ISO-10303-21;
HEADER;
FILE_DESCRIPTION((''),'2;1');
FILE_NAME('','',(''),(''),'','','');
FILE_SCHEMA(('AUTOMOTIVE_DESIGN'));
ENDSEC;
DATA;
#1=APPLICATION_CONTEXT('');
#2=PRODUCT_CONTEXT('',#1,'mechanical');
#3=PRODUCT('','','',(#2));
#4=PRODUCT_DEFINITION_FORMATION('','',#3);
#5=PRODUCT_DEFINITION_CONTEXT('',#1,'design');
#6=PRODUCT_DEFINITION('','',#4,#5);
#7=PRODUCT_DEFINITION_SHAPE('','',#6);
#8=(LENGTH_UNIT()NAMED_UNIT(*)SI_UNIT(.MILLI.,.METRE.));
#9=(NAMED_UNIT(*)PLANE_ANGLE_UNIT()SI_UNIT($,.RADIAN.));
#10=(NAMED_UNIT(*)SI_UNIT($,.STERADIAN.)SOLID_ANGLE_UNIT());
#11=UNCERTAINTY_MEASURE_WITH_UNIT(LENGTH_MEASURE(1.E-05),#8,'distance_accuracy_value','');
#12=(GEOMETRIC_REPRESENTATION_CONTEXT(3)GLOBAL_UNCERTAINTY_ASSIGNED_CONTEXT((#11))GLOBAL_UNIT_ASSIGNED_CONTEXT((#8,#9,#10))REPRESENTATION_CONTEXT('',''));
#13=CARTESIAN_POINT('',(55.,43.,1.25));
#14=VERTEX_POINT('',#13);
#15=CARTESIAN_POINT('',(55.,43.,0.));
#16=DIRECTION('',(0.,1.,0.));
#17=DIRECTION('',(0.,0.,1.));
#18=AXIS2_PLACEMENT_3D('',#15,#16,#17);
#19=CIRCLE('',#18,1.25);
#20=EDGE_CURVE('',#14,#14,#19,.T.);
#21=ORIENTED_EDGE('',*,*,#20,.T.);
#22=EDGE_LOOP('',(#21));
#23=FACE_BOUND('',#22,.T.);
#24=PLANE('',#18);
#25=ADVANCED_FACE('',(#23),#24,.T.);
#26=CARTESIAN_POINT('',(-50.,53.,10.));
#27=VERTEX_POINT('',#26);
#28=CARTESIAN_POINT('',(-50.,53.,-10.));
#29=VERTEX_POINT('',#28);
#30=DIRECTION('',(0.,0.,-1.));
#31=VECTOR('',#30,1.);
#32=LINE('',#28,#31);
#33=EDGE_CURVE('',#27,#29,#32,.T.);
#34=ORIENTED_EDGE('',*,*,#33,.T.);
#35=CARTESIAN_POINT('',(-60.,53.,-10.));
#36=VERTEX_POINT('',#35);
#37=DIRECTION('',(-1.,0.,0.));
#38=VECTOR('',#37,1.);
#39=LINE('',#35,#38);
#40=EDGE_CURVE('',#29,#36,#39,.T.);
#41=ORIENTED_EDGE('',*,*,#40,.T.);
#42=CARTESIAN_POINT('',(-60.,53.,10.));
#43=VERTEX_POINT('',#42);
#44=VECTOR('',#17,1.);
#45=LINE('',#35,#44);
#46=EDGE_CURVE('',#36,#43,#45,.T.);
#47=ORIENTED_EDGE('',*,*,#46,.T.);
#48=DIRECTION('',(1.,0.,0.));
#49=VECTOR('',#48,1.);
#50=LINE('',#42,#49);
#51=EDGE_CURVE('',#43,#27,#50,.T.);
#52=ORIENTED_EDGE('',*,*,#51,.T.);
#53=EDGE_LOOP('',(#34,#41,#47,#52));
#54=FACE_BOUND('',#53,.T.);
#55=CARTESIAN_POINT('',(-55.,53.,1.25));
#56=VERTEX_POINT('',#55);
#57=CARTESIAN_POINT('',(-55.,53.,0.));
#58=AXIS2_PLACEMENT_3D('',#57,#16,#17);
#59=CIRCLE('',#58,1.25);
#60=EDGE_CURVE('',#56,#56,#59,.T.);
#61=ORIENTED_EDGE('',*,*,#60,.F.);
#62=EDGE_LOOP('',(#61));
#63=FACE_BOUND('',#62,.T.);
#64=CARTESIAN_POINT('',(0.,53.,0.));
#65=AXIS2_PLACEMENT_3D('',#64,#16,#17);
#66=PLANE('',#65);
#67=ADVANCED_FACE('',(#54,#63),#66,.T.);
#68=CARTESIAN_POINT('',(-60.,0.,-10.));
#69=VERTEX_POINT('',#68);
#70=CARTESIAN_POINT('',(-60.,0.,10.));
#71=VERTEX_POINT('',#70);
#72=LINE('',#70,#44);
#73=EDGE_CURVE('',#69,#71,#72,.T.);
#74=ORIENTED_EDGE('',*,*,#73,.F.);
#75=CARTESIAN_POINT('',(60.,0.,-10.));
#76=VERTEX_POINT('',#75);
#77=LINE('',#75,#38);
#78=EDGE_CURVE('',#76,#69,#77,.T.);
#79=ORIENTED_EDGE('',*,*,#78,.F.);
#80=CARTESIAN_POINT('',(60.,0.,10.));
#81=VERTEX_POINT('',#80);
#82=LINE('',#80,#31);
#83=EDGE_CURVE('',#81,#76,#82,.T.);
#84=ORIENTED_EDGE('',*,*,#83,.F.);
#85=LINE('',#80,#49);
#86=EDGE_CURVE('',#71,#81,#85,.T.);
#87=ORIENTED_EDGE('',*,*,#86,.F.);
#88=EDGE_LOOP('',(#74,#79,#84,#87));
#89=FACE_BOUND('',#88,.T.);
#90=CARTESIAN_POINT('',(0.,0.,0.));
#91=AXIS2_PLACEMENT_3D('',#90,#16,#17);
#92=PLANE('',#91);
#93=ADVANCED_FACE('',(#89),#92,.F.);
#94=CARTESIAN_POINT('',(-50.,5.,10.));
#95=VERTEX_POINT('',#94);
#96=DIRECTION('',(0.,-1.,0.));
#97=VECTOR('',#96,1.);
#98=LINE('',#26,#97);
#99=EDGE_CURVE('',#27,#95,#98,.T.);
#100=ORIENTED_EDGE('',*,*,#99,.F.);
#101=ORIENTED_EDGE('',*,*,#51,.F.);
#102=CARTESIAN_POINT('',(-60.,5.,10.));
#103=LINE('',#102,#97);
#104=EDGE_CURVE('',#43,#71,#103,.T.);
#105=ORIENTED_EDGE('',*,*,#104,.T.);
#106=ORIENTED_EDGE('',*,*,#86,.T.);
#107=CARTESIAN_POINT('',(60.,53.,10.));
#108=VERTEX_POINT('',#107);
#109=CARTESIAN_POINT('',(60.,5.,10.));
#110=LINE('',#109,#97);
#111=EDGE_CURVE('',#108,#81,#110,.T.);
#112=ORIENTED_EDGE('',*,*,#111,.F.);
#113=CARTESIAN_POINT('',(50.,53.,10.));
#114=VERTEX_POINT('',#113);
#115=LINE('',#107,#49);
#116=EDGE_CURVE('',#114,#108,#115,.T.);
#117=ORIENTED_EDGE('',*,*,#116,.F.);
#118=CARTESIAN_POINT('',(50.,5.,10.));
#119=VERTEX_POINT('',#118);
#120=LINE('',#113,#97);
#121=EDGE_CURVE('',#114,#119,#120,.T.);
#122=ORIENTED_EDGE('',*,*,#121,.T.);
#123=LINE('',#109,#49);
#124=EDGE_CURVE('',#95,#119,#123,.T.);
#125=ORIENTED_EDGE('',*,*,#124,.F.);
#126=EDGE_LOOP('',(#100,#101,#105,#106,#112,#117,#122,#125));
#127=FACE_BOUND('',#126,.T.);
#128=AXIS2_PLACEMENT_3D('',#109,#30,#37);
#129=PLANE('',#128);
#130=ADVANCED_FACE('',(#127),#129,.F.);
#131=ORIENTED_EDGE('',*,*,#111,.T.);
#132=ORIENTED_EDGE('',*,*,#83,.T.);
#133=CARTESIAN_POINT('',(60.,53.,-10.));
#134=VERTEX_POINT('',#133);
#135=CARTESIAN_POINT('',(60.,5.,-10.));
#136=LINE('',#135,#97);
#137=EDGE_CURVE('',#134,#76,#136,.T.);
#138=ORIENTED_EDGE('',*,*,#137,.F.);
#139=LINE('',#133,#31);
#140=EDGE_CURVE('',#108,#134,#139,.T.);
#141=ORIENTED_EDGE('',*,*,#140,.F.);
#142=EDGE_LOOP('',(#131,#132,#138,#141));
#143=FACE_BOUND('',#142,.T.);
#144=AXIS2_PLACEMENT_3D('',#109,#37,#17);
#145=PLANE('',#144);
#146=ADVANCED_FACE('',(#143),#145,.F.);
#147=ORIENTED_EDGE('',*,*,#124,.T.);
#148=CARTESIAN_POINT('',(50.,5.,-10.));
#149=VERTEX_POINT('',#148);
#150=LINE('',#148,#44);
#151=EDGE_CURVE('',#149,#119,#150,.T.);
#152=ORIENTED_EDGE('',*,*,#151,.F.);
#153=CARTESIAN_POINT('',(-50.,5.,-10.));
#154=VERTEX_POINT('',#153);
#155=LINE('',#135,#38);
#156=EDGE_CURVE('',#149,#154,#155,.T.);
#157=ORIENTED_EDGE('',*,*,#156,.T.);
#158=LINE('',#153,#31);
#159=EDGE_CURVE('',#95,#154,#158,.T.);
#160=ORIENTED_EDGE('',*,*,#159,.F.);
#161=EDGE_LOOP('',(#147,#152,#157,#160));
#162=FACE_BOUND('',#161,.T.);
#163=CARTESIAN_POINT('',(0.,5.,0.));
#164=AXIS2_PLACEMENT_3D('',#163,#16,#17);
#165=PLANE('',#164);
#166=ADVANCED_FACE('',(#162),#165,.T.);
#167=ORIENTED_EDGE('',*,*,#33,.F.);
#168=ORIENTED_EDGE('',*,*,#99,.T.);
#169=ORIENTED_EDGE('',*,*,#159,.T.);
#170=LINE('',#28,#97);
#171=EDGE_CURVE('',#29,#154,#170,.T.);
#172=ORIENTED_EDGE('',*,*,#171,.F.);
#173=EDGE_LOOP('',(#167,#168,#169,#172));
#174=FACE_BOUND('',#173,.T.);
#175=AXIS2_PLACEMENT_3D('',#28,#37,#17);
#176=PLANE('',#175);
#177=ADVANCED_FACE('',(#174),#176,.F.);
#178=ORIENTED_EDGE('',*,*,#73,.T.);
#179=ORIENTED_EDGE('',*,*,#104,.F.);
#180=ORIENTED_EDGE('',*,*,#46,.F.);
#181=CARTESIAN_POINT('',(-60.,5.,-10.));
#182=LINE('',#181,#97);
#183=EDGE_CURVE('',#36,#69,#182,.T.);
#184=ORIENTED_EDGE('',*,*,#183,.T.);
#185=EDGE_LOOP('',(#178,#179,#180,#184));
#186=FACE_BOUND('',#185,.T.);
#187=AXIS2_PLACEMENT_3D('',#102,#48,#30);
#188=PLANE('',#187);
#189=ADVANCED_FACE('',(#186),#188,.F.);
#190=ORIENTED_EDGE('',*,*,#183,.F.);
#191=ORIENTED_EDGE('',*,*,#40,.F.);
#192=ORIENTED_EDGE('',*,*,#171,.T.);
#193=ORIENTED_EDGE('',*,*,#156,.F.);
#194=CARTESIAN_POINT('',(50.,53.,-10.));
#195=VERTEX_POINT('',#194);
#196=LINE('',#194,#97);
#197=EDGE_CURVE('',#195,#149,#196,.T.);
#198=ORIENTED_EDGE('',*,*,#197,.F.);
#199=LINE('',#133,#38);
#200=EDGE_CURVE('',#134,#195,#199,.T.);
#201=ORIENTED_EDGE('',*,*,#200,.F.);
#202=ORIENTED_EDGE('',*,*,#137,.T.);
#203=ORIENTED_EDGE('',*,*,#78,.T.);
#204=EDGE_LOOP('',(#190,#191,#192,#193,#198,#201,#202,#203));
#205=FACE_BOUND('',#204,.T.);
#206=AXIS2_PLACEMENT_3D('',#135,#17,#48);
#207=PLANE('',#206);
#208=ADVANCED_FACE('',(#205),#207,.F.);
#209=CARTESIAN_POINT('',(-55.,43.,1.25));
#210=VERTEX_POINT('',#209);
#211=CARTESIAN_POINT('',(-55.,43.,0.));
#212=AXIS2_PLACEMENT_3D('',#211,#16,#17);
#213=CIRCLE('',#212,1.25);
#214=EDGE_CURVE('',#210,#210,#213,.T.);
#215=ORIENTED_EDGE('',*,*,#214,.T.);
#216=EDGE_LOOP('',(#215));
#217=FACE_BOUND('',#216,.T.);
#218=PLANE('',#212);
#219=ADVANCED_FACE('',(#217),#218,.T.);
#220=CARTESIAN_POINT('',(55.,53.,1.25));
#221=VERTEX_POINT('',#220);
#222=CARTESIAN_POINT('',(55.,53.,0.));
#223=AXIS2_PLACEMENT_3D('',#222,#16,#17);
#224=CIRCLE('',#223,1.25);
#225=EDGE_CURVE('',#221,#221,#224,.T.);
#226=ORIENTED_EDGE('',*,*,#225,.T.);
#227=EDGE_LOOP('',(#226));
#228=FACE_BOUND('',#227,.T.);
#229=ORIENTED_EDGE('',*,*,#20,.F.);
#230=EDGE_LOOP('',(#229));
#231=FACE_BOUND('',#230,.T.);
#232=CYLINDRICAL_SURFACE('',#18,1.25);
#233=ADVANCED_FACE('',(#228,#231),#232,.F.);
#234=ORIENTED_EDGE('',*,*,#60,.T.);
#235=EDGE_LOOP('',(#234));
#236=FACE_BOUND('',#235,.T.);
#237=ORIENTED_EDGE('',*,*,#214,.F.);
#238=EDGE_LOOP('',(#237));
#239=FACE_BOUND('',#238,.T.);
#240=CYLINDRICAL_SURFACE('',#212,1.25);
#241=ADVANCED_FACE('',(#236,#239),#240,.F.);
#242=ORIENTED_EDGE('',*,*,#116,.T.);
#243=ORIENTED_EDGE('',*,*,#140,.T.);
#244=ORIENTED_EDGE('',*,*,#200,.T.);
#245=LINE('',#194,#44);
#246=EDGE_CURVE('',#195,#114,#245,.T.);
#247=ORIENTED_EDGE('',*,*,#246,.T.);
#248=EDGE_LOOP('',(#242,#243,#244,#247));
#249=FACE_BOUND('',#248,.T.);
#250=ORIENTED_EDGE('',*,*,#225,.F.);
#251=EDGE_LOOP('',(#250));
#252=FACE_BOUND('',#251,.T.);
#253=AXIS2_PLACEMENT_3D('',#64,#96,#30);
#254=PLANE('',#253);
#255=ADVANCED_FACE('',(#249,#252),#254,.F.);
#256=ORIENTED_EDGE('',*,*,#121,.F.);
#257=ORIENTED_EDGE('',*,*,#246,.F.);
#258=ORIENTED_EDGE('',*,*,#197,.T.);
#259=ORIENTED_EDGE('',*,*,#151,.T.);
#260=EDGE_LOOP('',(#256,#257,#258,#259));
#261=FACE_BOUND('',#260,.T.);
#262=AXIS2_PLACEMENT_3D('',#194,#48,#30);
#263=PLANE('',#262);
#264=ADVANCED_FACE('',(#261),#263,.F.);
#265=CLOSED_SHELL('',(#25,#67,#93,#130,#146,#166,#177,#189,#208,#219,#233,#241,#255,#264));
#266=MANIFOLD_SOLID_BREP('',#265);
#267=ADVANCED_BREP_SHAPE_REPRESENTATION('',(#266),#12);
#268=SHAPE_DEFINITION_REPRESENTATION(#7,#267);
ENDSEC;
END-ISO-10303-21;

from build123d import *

# Parameters (mm, degrees)
CROQUIS1_W              = 120
CROQUIS1_H              = 20
SALIENTE_EXTRUIR1_DEPTH = 5
CROQUIS2_W              = 10
CROQUIS2_H              = 20
SALIENTE_EXTRUIR2_DEPTH = 48
CROQUIS3_R              = 1.25
CORTAR_EXTRUIR1_DEPTH   = 10


with BuildPart() as part:
    # Croquis1 → Saliente-Extruir1 (new body)
    with BuildSketch(Plane(origin=(0, 0, 0), x_dir=(1, 0, 0), z_dir=(0, 1, 0))):
        Rectangle(CROQUIS1_W, CROQUIS1_H)
    extrude(amount=SALIENTE_EXTRUIR1_DEPTH)

    # Croquis2 → Saliente-Extruir2 (add)
    with BuildSketch(Plane(origin=(0, 5, 0), x_dir=(1, 0, 0), z_dir=(0, 1, 0))):
        with Locations((55, 0)):
            Rectangle(CROQUIS2_W, CROQUIS2_H)
        with Locations((-55, 0)):
            Rectangle(CROQUIS2_W, CROQUIS2_H)
    extrude(amount=SALIENTE_EXTRUIR2_DEPTH)

    # Croquis3 → Cortar-Extruir1 (cut)
    with BuildSketch(Plane(origin=(0, 53, 0), x_dir=(1, 0, 0), z_dir=(0, 1, 0))):
        with Locations(Location((-55, 0, 0), (0, 0, 270))):
            Circle(CROQUIS3_R)
        with Locations(Location((55, 0, 0), (0, 0, 270))):
            Circle(CROQUIS3_R)
    extrude(amount=-CORTAR_EXTRUIR1_DEPTH, mode=Mode.SUBTRACT)


solid = part.part
